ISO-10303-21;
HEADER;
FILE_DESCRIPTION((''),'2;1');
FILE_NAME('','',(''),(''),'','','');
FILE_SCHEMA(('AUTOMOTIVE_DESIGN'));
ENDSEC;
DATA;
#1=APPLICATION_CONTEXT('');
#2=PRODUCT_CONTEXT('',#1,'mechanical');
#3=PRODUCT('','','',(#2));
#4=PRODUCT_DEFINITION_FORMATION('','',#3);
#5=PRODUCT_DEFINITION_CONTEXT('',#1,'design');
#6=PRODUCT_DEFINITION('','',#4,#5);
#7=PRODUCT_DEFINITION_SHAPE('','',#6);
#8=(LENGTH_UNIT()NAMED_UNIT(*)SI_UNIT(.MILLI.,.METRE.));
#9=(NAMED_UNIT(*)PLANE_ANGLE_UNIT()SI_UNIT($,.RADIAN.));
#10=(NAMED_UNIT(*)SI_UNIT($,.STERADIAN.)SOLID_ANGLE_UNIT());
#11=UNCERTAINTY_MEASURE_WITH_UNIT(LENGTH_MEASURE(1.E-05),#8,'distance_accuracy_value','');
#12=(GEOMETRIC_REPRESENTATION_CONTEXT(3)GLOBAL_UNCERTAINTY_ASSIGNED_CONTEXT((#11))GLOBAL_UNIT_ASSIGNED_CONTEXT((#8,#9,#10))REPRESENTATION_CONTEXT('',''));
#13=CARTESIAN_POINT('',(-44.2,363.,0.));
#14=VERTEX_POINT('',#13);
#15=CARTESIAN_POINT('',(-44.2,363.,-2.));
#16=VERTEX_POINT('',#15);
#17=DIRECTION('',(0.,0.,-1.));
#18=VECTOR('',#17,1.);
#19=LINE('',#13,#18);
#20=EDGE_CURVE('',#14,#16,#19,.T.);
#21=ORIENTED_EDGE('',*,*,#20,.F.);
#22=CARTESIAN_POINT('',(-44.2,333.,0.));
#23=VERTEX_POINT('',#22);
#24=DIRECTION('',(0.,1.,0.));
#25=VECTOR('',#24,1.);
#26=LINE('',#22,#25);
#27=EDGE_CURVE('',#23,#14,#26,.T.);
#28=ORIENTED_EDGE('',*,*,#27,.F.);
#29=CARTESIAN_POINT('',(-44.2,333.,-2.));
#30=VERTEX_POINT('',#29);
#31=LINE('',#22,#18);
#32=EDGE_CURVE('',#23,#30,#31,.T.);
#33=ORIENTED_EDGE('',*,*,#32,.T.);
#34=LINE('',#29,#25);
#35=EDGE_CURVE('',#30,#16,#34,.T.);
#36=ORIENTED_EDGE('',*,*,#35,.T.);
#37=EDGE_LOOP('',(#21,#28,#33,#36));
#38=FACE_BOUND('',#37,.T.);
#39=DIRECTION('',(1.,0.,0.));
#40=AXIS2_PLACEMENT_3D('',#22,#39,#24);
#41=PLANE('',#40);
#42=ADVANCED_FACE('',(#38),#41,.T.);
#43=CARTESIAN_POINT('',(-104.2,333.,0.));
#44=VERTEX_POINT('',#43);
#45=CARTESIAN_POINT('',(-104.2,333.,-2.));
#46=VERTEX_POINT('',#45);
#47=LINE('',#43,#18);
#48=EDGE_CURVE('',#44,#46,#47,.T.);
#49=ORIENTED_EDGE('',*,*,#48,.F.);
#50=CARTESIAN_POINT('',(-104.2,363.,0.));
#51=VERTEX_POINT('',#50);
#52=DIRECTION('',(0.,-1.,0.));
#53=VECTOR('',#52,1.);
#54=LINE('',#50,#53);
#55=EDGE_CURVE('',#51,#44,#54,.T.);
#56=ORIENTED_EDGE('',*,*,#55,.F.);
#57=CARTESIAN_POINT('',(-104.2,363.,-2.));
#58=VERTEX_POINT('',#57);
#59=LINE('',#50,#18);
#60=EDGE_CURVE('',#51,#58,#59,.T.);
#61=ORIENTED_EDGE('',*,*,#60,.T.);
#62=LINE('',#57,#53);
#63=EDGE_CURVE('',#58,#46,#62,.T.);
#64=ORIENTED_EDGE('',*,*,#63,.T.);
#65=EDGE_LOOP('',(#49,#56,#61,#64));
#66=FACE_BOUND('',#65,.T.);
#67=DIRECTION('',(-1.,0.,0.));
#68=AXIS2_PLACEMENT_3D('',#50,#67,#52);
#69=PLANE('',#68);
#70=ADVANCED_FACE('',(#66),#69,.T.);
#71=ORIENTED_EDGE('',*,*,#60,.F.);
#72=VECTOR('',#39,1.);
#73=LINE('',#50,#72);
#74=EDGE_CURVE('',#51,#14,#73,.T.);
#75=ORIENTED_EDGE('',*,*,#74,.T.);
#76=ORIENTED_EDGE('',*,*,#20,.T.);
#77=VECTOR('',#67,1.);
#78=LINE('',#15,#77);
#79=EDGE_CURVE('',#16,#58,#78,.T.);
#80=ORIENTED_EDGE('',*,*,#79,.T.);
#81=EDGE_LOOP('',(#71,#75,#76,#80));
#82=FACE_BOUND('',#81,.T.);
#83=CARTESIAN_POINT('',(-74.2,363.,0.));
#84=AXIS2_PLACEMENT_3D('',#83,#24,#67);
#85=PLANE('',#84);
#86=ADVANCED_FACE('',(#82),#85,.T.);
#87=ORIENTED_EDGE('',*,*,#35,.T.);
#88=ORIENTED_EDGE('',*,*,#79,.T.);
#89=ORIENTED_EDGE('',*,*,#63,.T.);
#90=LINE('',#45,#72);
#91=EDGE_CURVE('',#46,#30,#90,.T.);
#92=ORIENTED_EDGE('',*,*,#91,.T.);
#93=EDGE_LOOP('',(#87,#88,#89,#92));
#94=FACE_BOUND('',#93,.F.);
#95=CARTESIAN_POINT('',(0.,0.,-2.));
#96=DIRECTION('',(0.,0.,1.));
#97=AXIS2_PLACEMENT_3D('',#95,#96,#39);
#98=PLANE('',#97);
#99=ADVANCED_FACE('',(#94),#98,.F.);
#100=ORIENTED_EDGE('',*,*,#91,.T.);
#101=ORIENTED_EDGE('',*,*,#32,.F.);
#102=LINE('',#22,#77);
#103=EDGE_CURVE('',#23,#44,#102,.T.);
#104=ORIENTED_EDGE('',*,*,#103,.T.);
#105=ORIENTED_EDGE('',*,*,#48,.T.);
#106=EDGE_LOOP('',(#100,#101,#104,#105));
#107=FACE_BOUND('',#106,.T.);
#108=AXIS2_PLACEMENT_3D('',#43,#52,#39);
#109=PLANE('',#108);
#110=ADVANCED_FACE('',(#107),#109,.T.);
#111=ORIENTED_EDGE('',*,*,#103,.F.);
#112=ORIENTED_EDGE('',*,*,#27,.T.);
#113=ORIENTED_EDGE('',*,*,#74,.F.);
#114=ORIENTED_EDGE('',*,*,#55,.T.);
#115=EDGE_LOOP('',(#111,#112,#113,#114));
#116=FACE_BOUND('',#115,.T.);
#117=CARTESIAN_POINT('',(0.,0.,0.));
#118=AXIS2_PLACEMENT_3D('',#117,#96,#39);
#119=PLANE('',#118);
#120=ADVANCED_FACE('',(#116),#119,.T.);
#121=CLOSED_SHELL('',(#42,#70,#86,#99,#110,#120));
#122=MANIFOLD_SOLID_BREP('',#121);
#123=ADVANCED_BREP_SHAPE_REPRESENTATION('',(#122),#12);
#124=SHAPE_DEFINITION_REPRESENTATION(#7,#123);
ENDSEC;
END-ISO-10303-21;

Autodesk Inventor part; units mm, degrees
ref_plane "YZ Plane" through (0, 0, 0) normal (1, 0, 0) x (0, 1, 0)
ref_plane "XZ Plane" through (0, 0, 0) normal (0, 1, 0) x (-1, 0, 0)
ref_plane "XY Plane" through (0, 0, 0) normal (0, 0, 1) x (1, 0, 0)
ref_plane "Plano de trabajo1" through (0, 0, 0) normal (0, 0, 1) x (1, 0, 0)
sketch "Boceto1" plane through (0, 0, 0) normal (0, 0, 1) x (1, 0, 0)
  line L0 (-164.2, 333) -> (-44.2, 333)
  line L1 (-44.2, 333) -> (-44.2, 363)
  line L2 (-44.2, 363) -> (-164.2, 363)
  line L3 (-164.2, 363) -> (-164.2, 333)
  line L4 (-74.2, 363) -> (-74.2, 333)
  line L5 (-104.2, 363) -> (-104.2, 333)
  line L6 (-134.2, 363) -> (-134.2, 333)
  point P0 (0, 0)
  point P1 (-74.2, 348)
  dimension "d0" = 120
  dimension "d1" = 30
  dimension "d2" = 30
  dimension "d3" = 30
  dimension "d4" = 30
extrude "Extrusión1" add sketch "Boceto1" against normal blind 2 contours L5 L2 L4 L0 | L4 L2 L1 L0
equation "\"Radio_pliegue\" = Grosor"
equation "\"Anchura_desahogo_plegado\" = Grosor"
equation "\"Profundidad_desahogo_plegado\" = 0.5 * Grosor"
equation "\"Tamaño_destalonado\" = 4 * Grosor"
equation "\"Remanente_mínimo\" = 2 * Grosor"
equation "\"Radiodetransición\" = Radio_pliegue"
equation "\"Tamaño_de_radio_de_Jacobi\" = Radio_pliegue"
equation "\"TamañoSeparación\" = Grosor"
equation "\"Grosor\" = 0.5"
properties part number "0011"
